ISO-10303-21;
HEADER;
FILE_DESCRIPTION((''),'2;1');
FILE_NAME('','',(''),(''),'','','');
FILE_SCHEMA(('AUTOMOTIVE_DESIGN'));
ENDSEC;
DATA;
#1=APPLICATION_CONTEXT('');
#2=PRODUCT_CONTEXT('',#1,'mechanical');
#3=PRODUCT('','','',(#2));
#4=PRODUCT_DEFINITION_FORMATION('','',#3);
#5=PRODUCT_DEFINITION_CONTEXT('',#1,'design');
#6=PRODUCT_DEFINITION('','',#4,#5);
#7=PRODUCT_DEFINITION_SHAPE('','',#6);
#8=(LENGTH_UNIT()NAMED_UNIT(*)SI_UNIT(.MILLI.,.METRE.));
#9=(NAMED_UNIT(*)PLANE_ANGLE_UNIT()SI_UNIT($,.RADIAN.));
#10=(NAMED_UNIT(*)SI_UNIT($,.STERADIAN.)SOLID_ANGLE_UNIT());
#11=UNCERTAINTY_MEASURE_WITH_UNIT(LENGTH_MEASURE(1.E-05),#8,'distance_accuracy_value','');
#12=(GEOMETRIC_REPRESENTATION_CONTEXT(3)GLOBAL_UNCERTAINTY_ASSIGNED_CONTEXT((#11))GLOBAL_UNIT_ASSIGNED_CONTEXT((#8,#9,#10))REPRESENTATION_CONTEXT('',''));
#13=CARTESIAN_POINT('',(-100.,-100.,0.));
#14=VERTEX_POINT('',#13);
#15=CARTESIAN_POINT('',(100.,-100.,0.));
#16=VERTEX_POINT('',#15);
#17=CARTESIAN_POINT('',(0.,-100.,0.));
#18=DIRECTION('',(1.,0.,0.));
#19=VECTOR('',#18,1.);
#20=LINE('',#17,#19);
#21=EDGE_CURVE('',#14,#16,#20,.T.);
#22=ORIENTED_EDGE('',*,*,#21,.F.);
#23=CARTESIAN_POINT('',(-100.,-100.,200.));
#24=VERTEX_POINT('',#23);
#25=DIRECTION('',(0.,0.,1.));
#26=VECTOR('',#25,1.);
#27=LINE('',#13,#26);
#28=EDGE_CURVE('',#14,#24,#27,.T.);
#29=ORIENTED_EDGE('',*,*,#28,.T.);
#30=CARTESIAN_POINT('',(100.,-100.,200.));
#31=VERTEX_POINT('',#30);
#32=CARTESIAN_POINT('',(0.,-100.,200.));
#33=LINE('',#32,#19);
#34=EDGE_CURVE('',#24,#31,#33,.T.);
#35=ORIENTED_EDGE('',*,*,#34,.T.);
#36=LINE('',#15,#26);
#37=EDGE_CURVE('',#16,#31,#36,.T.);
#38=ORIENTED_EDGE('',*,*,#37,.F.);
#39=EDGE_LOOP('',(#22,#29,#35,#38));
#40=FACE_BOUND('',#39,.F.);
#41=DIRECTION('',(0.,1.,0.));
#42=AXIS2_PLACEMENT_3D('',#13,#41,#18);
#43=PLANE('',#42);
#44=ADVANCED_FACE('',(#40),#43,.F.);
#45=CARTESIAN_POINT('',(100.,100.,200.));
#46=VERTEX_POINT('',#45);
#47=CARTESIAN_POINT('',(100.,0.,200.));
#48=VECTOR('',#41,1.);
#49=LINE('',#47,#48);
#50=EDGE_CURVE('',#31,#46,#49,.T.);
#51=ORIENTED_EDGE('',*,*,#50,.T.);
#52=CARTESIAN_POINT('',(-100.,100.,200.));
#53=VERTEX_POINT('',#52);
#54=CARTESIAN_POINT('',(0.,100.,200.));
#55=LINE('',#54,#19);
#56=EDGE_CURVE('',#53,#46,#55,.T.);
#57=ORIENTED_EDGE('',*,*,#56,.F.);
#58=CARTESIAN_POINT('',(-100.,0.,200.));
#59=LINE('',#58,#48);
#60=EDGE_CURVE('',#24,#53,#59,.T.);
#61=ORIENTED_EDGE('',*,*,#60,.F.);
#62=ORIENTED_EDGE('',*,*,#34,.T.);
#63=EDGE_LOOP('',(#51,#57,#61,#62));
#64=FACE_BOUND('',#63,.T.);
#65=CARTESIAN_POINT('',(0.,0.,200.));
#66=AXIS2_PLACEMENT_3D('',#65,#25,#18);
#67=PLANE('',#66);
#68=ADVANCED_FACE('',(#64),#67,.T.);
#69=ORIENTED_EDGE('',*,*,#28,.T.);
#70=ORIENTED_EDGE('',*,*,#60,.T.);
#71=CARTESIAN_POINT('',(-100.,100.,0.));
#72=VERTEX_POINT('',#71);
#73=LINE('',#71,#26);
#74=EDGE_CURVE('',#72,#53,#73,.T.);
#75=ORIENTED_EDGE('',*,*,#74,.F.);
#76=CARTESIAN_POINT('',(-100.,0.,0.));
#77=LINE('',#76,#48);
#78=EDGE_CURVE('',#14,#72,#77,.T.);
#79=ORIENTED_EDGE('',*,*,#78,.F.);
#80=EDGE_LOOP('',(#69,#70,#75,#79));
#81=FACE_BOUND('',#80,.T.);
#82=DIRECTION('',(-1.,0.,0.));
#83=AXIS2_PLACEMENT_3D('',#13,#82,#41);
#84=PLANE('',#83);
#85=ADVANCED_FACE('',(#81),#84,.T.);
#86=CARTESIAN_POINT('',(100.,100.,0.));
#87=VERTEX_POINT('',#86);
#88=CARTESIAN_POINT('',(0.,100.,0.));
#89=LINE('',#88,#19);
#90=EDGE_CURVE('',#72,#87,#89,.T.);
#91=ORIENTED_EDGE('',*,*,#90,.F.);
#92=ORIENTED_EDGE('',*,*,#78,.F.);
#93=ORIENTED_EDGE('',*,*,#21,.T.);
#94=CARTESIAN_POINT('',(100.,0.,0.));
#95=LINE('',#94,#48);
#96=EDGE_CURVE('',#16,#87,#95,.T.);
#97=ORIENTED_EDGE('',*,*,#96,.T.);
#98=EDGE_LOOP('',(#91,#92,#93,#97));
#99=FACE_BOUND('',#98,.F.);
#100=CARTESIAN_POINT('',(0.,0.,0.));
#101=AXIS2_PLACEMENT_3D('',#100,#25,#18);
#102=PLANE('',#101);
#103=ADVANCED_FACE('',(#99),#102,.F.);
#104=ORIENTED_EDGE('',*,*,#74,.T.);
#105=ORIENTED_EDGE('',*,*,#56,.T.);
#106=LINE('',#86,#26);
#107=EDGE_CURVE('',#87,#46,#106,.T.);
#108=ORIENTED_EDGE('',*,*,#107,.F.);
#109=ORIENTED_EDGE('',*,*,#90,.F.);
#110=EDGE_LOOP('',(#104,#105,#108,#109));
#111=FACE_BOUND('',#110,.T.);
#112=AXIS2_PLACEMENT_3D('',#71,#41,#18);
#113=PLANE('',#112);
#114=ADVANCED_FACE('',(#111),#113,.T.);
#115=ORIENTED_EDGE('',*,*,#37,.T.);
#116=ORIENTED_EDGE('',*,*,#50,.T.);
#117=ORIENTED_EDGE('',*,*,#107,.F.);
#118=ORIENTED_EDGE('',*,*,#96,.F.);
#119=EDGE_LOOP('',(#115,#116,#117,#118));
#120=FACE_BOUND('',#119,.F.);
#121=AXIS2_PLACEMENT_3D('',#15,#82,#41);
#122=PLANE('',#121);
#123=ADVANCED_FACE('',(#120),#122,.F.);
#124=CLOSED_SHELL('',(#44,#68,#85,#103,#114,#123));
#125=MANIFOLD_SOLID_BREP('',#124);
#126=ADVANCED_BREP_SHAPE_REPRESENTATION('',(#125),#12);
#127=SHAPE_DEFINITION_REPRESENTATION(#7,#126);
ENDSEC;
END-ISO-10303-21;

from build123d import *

# Parameters (mm, degrees)
SKETCH_1_W      = 200
SKETCH_1_H      = 200
EXTRUDE_1_DEPTH = 200


with BuildPart() as part:
    # Эскиз1 → Бобышка-Вытянуть1 (new body)
    with BuildSketch(Plane.XY):
        Rectangle(SKETCH_1_W, SKETCH_1_H)
    extrude(amount=EXTRUDE_1_DEPTH)


solid = part.part
